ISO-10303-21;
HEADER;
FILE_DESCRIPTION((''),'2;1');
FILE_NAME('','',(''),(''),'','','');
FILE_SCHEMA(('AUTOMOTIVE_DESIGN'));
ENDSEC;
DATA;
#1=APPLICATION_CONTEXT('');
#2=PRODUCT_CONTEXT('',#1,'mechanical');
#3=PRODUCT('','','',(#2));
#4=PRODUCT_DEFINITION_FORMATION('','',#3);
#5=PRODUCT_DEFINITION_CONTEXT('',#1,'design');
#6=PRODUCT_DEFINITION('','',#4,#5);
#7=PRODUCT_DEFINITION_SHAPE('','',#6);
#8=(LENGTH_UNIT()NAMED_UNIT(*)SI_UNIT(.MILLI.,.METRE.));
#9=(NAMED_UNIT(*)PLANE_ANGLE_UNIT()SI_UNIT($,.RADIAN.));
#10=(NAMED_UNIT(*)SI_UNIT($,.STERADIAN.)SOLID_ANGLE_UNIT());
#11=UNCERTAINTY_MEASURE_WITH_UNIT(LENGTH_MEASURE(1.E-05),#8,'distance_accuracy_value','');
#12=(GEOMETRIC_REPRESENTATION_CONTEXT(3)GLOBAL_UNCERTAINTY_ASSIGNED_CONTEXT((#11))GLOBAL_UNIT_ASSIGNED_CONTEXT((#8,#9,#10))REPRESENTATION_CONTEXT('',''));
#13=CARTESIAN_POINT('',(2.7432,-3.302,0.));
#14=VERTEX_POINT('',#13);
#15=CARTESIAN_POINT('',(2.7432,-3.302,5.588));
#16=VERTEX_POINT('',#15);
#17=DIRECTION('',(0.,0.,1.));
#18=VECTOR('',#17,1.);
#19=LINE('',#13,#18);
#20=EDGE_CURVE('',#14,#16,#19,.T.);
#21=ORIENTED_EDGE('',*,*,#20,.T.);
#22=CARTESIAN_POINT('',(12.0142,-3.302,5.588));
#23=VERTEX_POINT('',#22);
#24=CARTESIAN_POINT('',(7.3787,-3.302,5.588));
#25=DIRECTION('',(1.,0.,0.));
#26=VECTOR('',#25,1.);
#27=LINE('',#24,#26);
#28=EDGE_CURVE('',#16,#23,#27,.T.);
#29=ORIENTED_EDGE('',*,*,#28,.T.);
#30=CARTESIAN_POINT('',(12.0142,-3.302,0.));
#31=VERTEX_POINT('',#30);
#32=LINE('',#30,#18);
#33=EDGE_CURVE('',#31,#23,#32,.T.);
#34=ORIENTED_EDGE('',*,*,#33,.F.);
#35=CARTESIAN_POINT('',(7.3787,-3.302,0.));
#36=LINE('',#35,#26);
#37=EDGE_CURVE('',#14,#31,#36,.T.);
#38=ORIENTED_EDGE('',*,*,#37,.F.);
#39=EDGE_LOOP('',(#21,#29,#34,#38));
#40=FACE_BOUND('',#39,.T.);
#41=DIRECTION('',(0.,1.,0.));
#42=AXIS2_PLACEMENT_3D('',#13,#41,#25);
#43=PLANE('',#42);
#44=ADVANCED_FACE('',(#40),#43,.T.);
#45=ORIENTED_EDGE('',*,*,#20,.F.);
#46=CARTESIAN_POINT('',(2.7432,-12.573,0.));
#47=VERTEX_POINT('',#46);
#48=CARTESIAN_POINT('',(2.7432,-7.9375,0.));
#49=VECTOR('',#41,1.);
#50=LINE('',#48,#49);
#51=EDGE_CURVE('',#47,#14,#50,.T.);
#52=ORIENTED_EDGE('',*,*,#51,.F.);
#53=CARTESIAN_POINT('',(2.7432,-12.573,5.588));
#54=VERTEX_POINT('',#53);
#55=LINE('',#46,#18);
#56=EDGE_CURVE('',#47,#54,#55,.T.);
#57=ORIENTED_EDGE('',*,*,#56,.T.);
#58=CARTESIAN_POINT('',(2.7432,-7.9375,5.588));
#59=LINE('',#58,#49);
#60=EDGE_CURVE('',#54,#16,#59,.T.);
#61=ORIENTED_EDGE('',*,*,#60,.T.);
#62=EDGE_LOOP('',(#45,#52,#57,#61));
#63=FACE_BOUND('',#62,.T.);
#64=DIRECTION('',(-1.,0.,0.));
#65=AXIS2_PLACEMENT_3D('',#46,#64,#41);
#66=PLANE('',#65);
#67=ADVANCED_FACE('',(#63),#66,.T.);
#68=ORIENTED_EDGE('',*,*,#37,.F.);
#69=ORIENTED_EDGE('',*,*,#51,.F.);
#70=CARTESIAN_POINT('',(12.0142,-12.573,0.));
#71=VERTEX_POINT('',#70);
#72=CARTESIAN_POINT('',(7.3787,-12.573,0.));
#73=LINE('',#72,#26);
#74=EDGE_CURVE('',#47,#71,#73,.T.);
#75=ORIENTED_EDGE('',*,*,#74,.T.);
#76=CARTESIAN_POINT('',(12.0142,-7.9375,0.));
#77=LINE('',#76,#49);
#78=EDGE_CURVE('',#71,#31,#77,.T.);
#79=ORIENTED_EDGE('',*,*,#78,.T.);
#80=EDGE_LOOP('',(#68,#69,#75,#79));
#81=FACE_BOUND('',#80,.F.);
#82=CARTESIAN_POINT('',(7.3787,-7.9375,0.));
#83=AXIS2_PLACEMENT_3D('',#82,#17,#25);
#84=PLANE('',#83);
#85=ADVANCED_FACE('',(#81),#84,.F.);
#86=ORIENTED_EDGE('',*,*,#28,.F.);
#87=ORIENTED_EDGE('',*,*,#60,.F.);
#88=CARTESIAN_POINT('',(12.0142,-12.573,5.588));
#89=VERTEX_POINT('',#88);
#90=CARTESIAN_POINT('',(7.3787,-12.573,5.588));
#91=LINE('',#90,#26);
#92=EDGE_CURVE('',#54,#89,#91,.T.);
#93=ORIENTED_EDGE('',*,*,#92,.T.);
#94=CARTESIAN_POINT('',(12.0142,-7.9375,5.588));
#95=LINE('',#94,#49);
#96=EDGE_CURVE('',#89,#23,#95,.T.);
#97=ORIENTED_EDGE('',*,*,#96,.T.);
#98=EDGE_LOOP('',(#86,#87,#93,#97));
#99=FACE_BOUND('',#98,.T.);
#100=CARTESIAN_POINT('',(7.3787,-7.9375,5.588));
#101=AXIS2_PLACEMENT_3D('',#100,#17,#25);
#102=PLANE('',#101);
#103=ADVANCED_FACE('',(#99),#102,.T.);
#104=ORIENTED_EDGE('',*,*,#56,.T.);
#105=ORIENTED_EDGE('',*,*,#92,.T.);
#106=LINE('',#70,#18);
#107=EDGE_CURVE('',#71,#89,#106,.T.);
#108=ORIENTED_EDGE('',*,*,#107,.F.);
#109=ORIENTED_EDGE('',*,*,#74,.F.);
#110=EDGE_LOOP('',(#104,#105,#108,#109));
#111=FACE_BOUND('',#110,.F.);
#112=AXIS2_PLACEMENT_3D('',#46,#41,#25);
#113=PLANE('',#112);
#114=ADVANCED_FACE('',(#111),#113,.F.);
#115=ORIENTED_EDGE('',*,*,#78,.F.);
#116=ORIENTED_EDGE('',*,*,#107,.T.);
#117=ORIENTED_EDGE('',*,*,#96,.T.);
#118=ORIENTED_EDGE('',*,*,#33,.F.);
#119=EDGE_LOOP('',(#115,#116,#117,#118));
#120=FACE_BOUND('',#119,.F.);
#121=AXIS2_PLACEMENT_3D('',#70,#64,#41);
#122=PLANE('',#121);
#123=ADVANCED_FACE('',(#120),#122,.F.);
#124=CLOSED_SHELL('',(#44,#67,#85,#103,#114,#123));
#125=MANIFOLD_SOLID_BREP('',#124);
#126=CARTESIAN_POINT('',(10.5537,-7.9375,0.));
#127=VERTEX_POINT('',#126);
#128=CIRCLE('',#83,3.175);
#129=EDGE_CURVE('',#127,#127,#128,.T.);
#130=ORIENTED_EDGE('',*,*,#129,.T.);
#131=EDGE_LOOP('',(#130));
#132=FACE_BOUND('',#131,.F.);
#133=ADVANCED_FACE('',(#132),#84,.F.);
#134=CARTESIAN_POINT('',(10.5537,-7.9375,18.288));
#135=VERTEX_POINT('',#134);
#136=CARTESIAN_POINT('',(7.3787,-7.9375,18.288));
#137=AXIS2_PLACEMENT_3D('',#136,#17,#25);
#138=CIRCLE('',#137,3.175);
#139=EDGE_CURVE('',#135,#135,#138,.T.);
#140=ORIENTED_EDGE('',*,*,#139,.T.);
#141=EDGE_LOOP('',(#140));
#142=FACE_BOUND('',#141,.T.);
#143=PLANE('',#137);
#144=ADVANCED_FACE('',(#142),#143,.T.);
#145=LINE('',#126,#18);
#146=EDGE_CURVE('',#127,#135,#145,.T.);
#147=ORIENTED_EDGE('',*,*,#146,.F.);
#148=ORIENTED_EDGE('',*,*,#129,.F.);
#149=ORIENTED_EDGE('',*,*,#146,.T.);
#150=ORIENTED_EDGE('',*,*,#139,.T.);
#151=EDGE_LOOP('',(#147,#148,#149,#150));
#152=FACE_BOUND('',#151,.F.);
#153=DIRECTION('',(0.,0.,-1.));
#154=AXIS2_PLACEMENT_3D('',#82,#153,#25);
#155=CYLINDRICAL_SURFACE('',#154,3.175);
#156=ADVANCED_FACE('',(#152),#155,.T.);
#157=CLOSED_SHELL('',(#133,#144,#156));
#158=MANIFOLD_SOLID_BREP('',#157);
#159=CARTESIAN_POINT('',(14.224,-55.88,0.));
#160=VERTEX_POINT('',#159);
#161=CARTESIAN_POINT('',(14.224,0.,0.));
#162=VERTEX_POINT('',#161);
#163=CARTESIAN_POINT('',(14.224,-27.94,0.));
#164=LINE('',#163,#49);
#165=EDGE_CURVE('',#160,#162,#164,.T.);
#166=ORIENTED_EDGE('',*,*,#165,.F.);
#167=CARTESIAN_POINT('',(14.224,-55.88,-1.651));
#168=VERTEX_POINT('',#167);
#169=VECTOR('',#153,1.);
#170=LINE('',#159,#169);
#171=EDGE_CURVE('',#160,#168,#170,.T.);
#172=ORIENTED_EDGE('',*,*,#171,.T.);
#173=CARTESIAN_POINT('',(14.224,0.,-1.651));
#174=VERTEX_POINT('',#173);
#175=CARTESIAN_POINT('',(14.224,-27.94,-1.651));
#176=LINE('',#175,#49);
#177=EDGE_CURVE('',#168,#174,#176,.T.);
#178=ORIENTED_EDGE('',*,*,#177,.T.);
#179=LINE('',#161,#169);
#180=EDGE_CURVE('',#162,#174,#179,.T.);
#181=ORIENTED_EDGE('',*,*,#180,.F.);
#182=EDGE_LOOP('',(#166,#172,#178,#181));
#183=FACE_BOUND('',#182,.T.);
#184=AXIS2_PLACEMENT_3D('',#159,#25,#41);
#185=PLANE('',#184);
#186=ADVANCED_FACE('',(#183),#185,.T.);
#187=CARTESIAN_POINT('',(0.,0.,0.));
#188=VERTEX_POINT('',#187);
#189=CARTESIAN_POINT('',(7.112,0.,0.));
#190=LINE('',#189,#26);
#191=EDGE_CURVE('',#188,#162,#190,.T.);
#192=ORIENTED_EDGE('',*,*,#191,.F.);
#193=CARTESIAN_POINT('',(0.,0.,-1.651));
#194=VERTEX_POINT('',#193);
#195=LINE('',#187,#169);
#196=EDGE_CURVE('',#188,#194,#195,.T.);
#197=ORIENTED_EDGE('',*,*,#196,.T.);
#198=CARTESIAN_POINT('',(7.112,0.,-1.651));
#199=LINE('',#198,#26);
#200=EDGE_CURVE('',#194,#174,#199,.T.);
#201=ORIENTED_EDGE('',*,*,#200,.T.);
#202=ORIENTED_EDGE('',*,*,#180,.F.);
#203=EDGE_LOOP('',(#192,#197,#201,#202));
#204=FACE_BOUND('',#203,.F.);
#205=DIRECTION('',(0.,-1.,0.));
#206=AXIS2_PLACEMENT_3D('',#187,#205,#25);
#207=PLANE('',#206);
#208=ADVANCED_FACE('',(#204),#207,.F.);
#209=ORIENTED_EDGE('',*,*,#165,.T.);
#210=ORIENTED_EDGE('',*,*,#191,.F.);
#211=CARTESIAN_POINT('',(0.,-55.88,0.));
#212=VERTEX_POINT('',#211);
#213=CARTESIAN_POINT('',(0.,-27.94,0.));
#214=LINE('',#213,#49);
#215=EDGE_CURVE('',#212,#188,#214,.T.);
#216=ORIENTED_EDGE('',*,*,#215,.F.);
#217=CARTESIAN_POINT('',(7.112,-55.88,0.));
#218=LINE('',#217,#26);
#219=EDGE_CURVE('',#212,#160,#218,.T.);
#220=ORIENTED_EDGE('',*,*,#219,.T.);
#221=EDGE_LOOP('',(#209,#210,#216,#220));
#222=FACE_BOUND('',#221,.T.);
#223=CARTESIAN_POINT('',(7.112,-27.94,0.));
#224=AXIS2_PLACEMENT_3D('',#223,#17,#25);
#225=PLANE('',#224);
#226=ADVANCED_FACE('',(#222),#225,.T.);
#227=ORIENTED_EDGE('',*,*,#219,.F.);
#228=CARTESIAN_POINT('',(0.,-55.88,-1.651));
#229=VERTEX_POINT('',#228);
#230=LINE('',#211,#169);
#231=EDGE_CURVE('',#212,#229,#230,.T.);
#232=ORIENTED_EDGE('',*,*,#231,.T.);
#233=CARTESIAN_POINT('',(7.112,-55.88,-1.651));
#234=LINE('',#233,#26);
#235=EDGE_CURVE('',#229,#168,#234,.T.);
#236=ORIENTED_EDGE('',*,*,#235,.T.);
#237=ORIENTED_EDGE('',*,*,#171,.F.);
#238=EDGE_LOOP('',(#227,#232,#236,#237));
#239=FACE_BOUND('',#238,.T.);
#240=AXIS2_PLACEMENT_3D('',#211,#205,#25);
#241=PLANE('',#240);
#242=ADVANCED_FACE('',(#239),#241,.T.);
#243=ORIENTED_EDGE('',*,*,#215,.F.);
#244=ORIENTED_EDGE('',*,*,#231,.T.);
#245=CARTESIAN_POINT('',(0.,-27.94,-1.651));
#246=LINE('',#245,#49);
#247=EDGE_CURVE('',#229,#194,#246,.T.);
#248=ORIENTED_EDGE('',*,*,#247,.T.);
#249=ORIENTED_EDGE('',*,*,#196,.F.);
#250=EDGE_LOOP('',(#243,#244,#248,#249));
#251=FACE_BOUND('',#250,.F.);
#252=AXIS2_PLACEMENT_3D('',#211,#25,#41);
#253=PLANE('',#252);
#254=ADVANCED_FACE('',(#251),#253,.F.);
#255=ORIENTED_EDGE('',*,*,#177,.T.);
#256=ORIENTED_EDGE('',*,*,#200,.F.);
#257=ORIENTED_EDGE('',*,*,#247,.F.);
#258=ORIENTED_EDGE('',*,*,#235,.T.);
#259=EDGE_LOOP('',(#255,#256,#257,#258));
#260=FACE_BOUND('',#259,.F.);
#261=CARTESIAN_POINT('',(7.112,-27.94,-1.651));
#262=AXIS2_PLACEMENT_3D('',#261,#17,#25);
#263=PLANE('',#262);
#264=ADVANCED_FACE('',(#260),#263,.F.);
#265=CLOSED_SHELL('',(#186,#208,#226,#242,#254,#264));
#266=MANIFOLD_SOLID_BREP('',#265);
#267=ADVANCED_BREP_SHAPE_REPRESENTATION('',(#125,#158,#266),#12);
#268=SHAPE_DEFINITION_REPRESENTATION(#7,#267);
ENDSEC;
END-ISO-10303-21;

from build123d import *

# Parameters (mm, degrees)
F0_W     = 14.224
F0_H     = 55.88
F0_W_2   = 9.271
F0_H_2   = 9.271
F0_R     = 3.175
F1_DEPTH = 1.651
F2_DEPTH = 5.588
F3_DEPTH = 18.288


with BuildPart() as f1:
    # F0 (on Top) → F1 (new body)
    with BuildSketch(Plane.XY):
        with Locations((7.112, -27.94)):
            Rectangle(F0_W, F0_H)
        with Locations((7.3787, -7.9375)):
            Rectangle(F0_W_2, F0_H_2, mode=Mode.SUBTRACT)
        with Locations((7.3787, -7.9375)):
            Rectangle(F0_W_2, F0_H_2)
        with Locations((7.3787, -7.9375)):
            Circle(F0_R, mode=Mode.SUBTRACT)
        with Locations((7.3787, -7.9375)):
            Circle(F0_R)
    extrude(amount=-F1_DEPTH)


with BuildPart() as f2:
    # F0 (on Top) → F2 (new body)
    with BuildSketch(Plane.XY):
        with Locations((7.3787, -7.9375)):
            Rectangle(F0_W_2, F0_H_2)
        with Locations((7.3787, -7.9375)):
            Circle(F0_R, mode=Mode.SUBTRACT)
        with Locations((7.3787, -7.9375)):
            Circle(F0_R)
    extrude(amount=F2_DEPTH)


with BuildPart() as f3:
    # F0 (on Top) → F3 (new body)
    with BuildSketch(Plane.XY):
        with Locations((7.3787, -7.9375)):
            Circle(F0_R)
    extrude(amount=F3_DEPTH)


solid = Compound([f1.part, f2.part, f3.part])
